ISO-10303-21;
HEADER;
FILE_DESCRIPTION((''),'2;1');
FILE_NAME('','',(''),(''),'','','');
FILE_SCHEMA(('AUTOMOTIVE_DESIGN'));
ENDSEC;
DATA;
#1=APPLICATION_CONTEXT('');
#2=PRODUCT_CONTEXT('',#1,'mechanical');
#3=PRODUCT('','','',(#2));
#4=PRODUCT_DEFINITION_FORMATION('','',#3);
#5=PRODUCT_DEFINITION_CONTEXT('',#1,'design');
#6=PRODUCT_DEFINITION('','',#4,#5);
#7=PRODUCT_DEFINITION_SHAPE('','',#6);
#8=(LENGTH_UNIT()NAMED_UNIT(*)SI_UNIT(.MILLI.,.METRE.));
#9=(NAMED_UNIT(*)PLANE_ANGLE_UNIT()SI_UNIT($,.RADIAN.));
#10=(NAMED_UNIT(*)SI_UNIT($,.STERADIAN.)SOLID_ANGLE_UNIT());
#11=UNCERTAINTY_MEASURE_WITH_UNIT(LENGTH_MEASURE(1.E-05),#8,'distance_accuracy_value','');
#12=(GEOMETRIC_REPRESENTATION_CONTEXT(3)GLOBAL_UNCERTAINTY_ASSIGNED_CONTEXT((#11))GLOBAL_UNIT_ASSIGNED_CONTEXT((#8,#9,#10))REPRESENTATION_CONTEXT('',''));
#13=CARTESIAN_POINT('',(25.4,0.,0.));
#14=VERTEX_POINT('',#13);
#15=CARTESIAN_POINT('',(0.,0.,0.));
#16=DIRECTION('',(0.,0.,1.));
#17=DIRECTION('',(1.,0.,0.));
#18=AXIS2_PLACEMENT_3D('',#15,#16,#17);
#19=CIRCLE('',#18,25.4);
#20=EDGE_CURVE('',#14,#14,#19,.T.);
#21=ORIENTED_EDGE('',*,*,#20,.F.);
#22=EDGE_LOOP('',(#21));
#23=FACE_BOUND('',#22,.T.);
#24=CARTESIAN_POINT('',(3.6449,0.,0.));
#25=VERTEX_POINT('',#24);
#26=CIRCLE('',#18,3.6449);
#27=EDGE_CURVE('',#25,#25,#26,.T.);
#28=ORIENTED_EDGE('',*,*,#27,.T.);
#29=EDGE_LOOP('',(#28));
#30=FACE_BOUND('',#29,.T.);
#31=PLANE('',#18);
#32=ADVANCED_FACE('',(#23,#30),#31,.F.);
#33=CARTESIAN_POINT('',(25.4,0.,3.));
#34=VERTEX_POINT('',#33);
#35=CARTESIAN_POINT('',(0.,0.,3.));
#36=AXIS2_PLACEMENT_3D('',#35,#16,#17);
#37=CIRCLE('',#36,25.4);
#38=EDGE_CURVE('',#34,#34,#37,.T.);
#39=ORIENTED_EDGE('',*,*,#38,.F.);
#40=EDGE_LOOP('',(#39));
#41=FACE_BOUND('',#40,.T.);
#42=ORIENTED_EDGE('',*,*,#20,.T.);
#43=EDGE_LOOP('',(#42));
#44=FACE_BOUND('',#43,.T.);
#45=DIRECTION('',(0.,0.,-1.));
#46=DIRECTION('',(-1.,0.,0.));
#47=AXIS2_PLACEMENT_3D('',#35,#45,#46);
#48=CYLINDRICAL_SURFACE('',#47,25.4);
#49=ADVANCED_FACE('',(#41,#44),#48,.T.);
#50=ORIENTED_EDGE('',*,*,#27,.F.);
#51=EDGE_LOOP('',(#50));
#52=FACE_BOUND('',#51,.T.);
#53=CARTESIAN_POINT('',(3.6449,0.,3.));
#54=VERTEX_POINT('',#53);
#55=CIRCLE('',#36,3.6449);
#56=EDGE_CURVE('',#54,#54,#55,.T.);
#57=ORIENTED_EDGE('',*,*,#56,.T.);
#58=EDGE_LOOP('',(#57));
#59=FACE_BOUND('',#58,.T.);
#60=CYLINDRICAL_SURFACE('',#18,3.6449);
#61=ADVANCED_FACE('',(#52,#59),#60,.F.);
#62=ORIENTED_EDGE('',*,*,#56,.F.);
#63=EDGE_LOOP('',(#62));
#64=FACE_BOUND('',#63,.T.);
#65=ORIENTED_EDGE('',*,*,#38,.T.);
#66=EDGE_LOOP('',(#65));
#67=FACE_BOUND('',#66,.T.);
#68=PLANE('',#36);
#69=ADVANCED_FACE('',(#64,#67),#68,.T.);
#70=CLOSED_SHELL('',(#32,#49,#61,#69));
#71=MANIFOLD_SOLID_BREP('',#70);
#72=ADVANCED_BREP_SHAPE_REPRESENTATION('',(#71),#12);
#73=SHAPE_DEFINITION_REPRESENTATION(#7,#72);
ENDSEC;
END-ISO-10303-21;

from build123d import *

# Parameters (mm, degrees)
SKETCH1_R           = 25.4
BOSS_EXTRUDE1_DEPTH = 3
SKETCH2_R           = 3.6449
CUT_EXTRUDE1_DEPTH  = 37.046081618


with BuildPart() as part:
    # Sketch1 → Boss-Extrude1 (new body)
    with BuildSketch(Plane.XY):
        Circle(SKETCH1_R)
    extrude(amount=BOSS_EXTRUDE1_DEPTH)

    # Sketch2 → Cut-Extrude1 (cut, through all)
    with BuildSketch(Plane.XY.offset(3)):
        Circle(SKETCH2_R)
    extrude(amount=-CUT_EXTRUDE1_DEPTH, mode=Mode.SUBTRACT)


solid = part.part
